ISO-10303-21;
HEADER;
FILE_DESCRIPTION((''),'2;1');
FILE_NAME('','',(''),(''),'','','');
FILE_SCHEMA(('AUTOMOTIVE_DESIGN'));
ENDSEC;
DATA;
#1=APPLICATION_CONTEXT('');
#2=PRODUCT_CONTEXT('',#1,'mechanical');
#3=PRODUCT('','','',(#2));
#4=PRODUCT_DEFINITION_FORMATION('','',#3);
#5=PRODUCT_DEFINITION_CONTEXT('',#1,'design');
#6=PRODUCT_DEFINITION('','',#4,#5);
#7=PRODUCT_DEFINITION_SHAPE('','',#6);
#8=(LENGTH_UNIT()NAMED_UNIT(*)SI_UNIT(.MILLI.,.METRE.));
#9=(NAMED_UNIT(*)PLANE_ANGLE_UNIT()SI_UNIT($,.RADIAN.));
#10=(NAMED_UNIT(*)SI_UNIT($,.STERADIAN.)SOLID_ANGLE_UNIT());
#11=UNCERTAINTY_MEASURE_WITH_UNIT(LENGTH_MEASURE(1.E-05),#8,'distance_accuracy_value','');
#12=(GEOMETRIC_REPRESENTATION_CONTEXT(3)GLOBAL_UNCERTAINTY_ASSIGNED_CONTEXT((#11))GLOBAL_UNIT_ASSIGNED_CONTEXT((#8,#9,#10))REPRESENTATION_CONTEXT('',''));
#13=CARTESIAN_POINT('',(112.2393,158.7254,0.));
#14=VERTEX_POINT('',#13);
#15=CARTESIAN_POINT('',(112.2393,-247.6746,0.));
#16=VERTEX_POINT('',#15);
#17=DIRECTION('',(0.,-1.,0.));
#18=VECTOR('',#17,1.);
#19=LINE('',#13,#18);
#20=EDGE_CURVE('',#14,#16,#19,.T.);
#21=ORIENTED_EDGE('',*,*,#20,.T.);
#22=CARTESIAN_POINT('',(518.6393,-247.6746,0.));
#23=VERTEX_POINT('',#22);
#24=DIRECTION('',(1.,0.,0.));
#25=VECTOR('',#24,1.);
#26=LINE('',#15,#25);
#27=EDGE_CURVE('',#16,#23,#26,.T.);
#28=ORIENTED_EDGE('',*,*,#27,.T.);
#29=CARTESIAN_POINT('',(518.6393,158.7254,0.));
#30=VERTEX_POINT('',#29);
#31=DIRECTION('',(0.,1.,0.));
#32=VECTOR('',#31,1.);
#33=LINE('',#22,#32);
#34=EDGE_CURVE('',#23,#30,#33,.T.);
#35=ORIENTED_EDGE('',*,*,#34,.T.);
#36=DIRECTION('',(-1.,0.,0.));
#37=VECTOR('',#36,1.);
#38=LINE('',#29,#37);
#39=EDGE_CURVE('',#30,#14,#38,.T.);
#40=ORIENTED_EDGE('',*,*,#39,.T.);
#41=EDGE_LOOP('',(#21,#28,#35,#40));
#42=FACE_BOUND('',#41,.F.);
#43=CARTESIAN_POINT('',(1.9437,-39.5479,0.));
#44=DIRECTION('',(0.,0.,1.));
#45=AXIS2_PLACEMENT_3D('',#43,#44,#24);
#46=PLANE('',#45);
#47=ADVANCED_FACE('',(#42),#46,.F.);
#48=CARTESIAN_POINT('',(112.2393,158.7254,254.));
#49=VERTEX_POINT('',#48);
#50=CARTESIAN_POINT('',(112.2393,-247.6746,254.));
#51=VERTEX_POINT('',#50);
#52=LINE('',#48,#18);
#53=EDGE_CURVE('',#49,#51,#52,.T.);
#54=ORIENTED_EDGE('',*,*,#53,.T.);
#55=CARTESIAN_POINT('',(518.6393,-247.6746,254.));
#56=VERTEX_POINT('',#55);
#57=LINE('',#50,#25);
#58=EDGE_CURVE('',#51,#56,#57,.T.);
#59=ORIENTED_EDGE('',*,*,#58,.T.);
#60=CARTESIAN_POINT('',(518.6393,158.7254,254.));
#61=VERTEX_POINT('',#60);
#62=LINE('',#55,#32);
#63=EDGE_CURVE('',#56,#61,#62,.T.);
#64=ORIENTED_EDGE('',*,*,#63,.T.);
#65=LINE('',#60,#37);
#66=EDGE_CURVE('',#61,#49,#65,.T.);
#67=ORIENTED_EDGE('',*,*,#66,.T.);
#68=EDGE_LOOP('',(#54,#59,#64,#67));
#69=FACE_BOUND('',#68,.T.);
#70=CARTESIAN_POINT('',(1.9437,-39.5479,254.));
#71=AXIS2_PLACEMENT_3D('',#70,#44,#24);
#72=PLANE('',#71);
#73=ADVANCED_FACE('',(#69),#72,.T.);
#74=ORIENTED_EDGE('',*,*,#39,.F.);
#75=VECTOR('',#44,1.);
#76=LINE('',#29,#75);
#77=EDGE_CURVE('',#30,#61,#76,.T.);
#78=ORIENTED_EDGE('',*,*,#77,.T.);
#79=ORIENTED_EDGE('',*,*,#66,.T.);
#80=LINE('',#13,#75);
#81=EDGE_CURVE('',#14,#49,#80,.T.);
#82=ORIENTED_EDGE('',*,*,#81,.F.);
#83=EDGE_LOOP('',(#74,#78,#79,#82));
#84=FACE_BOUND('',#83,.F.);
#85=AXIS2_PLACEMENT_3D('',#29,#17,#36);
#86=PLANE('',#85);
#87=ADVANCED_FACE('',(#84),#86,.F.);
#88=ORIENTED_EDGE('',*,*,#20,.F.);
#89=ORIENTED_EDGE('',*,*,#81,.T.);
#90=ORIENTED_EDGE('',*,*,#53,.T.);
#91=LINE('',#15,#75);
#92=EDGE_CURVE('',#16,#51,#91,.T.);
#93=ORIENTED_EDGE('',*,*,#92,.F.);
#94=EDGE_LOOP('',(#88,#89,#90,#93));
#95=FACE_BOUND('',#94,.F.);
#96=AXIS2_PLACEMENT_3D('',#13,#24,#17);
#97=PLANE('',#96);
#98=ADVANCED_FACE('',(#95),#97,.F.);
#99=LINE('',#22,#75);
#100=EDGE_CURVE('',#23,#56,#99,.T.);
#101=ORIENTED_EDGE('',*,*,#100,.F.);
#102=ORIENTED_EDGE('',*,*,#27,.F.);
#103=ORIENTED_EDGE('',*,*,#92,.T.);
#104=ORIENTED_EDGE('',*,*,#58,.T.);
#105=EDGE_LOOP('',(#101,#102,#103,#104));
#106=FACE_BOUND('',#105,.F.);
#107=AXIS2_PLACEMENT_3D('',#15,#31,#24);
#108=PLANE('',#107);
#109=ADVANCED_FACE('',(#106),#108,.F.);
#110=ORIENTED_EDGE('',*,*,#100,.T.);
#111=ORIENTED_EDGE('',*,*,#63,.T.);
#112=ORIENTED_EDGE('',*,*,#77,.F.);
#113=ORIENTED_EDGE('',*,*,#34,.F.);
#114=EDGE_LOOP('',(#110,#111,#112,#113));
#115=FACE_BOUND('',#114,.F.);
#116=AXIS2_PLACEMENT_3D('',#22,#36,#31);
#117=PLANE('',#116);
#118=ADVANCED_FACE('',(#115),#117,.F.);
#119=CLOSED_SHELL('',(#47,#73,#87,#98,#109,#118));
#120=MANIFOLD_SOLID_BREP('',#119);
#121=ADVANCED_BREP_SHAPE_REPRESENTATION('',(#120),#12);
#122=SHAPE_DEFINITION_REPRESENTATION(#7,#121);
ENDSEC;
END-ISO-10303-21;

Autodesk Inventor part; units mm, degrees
ref_plane "YZ Plane" through (0, 0, 0) normal (1, 0, 0) x (0, 1, 0)
ref_plane "XZ Plane" through (0, 0, 0) normal (0, 1, 0) x (-1, 0, 0)
ref_plane "XY Plane" through (0, 0, 0) normal (0, 0, 1) x (1, 0, 0)
ref_plane "Work Plane1" through (1.9437, -39.5479, 0) normal (0, 0, 1) x (1, 0, 0)
sketch "Sketch1" plane through (1.9437, -39.5479, 0) normal (0, 0, 1) x (1, 0, 0)
  line L0 (516.6956, 198.2733) -> (110.2956, 198.2733)
  line L1 (110.2956, 198.2733) -> (110.2956, -208.1267)
  line L2 (110.2956, -208.1267) -> (516.6956, -208.1267)
  line L3 (516.6956, -208.1267) -> (516.6956, 198.2733)
  point P0 (-1.9437, 39.5479)
  dimension "d0" = 406.4
  dimension "d1" = 406.4
extrude "Extrusion1" add sketch "Sketch1" along normal blind 254
properties part number "NurdShooterStandin"
